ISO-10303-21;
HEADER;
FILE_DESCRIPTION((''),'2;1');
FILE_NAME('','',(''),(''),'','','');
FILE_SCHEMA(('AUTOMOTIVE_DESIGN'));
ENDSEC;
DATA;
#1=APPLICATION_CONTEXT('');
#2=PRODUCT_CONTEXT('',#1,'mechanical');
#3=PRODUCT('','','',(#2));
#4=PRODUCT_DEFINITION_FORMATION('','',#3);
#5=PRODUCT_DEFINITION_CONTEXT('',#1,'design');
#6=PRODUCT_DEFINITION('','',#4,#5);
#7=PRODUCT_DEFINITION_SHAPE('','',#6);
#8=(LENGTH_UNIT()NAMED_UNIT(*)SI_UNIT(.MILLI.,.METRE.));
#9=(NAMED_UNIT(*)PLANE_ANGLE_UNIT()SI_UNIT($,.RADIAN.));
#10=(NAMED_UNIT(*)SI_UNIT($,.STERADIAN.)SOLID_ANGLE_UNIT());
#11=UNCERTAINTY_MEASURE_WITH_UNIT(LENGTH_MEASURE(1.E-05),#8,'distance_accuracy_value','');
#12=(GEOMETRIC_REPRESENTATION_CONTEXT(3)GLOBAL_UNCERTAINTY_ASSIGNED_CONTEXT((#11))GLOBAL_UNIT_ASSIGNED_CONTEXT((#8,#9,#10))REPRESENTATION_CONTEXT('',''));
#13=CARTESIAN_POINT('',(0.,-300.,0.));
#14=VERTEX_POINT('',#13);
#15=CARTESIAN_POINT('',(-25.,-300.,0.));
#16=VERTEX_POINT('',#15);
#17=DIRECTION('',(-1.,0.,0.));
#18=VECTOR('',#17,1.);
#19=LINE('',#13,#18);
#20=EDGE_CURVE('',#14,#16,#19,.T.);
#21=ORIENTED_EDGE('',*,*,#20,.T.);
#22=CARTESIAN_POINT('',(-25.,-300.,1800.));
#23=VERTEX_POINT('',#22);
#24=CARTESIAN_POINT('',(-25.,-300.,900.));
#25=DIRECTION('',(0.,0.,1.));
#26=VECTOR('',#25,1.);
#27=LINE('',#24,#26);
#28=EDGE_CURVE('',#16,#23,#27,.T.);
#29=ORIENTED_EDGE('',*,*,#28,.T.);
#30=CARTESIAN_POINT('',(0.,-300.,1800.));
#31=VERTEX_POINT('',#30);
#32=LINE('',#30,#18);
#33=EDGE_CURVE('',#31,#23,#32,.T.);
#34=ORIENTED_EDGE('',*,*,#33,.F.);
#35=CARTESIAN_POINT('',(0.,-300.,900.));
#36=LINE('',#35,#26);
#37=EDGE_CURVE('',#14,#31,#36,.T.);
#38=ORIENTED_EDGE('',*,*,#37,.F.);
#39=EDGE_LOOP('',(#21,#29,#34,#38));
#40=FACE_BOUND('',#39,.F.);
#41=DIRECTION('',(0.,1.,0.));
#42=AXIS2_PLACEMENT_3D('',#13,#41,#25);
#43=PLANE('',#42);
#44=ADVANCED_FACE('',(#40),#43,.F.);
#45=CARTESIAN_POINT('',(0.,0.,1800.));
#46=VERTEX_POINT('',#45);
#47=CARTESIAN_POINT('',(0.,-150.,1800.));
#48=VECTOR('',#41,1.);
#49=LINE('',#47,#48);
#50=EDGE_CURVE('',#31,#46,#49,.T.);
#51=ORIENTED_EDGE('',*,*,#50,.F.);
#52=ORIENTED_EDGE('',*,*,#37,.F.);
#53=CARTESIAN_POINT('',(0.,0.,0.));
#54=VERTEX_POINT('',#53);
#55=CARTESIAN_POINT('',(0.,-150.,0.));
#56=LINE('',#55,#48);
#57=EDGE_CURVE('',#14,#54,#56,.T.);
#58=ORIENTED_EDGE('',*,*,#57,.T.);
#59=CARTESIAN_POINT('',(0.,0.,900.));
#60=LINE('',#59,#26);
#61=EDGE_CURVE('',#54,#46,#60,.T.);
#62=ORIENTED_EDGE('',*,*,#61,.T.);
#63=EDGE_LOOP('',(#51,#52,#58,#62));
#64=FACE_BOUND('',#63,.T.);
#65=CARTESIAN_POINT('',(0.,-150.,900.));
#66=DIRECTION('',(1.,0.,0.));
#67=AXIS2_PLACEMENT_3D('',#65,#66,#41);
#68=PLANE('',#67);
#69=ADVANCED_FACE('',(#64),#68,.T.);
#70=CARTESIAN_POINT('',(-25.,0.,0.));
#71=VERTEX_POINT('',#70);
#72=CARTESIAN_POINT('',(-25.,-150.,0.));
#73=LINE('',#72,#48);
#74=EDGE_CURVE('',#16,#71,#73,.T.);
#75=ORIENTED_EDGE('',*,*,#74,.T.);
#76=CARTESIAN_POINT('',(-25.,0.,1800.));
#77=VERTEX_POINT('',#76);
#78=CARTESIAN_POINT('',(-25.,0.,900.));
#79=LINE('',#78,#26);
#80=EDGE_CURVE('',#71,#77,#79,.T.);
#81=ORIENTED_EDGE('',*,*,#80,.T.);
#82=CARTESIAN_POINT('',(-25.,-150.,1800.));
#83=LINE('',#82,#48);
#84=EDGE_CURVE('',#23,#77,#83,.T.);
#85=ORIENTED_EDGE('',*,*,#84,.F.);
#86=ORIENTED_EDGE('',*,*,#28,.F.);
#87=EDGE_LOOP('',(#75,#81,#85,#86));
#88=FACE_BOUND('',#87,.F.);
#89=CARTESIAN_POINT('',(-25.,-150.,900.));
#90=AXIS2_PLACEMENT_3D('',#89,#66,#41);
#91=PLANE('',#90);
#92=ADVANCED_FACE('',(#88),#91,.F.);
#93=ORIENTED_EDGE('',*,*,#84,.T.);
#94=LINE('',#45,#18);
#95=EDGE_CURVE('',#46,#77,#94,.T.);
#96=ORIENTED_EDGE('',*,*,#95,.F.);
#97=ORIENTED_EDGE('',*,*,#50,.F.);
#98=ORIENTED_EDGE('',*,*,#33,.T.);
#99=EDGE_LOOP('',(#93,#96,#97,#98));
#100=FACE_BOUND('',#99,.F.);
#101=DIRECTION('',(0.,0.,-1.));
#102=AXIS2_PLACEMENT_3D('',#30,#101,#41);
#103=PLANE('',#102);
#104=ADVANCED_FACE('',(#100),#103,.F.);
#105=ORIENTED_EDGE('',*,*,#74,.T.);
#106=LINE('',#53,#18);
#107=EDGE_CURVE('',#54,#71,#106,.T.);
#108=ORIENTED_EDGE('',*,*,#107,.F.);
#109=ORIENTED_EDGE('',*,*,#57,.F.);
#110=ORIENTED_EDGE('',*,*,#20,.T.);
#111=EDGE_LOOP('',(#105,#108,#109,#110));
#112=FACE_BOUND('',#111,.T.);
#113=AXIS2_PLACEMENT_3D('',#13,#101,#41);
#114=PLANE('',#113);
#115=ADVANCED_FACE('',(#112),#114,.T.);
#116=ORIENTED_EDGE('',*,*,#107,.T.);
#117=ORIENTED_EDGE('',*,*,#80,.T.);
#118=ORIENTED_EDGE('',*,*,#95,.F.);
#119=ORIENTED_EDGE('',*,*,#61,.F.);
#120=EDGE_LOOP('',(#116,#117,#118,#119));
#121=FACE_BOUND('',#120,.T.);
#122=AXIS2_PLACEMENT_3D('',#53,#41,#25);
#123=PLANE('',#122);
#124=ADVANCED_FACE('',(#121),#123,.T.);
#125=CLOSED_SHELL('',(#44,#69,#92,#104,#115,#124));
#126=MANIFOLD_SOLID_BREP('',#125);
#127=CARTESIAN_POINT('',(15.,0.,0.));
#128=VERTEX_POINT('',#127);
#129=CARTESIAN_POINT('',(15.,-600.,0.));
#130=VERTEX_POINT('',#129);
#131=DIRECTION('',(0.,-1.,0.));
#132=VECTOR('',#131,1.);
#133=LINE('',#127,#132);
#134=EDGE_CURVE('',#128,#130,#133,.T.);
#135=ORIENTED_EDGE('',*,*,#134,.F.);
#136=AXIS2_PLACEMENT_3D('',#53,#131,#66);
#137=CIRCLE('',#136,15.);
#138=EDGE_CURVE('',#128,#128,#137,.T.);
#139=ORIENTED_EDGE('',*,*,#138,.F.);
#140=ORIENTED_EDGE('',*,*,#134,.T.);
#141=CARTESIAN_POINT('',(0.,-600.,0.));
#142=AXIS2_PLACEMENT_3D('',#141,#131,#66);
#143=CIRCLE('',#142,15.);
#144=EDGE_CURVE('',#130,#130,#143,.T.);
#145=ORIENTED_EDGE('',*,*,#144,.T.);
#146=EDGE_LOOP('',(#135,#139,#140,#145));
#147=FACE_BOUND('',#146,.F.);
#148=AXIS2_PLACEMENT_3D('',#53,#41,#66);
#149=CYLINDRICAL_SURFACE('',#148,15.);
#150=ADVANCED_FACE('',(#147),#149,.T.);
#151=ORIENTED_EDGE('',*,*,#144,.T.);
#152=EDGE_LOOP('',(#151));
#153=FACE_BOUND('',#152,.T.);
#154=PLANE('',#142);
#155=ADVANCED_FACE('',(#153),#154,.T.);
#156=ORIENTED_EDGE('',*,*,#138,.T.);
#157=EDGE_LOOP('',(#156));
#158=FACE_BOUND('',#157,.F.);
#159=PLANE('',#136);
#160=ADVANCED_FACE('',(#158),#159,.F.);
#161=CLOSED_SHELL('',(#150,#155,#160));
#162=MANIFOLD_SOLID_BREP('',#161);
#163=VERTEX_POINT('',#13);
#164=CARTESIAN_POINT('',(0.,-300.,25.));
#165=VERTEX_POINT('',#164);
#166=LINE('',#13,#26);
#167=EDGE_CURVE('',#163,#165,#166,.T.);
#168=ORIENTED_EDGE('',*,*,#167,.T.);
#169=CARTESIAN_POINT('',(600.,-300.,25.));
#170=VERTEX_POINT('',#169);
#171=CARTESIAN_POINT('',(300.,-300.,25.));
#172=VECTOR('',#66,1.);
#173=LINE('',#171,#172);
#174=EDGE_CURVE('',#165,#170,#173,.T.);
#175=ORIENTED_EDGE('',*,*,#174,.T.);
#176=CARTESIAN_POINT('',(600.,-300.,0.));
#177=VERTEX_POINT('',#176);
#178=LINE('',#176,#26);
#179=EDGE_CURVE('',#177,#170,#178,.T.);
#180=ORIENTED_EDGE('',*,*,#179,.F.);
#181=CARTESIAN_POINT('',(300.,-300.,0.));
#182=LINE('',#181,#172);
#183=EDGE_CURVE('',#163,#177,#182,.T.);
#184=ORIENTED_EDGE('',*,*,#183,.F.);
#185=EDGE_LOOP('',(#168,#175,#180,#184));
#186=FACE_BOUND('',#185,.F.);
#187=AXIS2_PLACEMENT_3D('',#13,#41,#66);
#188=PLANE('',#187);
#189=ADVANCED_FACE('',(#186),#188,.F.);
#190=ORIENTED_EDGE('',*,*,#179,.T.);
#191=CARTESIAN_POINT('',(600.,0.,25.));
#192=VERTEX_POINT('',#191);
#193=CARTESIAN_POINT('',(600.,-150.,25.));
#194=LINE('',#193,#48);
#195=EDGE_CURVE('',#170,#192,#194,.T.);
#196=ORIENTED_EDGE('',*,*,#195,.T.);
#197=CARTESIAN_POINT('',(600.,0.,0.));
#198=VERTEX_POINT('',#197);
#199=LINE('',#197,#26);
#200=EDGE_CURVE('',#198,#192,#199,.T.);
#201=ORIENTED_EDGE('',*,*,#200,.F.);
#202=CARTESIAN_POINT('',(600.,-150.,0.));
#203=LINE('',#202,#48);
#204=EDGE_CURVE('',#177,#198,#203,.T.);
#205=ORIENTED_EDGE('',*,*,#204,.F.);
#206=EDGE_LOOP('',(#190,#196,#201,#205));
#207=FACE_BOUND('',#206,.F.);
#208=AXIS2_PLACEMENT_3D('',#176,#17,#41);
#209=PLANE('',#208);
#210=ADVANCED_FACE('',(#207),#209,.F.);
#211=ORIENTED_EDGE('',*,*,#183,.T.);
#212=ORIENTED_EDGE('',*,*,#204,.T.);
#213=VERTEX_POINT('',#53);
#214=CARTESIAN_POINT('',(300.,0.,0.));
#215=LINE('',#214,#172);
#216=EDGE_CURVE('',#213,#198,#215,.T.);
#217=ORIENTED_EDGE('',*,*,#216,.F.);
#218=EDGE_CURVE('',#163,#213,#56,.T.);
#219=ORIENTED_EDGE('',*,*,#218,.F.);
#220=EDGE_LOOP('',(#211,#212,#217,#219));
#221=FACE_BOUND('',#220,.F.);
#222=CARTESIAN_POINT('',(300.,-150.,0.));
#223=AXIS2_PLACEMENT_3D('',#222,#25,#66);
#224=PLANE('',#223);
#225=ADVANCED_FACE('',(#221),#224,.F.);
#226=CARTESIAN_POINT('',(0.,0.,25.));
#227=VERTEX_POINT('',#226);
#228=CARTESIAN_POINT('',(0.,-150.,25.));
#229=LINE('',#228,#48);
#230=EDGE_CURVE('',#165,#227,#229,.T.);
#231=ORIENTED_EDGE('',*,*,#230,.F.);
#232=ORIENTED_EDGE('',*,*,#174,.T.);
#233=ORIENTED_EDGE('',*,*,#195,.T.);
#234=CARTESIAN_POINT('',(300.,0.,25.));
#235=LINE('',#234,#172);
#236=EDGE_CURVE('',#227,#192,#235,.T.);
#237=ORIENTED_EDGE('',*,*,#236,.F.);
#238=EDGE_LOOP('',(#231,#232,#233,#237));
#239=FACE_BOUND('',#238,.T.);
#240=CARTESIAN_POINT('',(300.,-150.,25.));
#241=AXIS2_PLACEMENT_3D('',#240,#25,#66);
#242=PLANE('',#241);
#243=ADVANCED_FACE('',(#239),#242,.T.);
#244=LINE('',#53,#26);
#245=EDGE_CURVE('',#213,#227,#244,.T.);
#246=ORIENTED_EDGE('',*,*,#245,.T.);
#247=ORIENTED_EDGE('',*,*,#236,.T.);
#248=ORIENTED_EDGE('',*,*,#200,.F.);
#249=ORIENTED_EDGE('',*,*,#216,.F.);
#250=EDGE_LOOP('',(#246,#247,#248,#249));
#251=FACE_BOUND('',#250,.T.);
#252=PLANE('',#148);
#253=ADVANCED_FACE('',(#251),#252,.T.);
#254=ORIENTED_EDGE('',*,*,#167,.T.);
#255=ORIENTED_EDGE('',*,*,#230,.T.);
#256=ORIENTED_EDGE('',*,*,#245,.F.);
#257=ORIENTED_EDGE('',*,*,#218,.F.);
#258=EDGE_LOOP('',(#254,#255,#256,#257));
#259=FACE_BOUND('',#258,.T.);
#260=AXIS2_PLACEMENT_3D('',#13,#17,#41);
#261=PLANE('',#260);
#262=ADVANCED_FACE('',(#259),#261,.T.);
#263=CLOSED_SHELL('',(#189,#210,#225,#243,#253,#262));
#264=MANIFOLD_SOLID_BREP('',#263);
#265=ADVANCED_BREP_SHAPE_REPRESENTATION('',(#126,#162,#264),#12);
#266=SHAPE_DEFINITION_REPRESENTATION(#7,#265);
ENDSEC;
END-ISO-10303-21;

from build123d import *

# Parameters (mm, degrees)
F0_W     = 600
F0_H     = 300
F1_DEPTH = 25
F2_W     = 300
F2_H     = 1800
F3_DEPTH = 25
F4_R     = 15
F5_DEPTH = 600


with BuildPart() as f1:
    # F0 (on Top) → F1 (new body)
    with BuildSketch(Plane.XY):
        with Locations((300, -150)):
            Rectangle(F0_W, F0_H)
    extrude(amount=F1_DEPTH)


with BuildPart() as f3:
    # F2 (on Right) → F3 (new body)
    with BuildSketch(Plane.YZ):
        with Locations((-150, 900)):
            Rectangle(F2_W, F2_H)
    extrude(amount=-F3_DEPTH)


with BuildPart() as f5:
    # F4 (on Front) → F5 (new body)
    with BuildSketch(Plane.XZ):
        Circle(F4_R)
    extrude(amount=F5_DEPTH)


solid = Compound([f1.part, f3.part, f5.part])
